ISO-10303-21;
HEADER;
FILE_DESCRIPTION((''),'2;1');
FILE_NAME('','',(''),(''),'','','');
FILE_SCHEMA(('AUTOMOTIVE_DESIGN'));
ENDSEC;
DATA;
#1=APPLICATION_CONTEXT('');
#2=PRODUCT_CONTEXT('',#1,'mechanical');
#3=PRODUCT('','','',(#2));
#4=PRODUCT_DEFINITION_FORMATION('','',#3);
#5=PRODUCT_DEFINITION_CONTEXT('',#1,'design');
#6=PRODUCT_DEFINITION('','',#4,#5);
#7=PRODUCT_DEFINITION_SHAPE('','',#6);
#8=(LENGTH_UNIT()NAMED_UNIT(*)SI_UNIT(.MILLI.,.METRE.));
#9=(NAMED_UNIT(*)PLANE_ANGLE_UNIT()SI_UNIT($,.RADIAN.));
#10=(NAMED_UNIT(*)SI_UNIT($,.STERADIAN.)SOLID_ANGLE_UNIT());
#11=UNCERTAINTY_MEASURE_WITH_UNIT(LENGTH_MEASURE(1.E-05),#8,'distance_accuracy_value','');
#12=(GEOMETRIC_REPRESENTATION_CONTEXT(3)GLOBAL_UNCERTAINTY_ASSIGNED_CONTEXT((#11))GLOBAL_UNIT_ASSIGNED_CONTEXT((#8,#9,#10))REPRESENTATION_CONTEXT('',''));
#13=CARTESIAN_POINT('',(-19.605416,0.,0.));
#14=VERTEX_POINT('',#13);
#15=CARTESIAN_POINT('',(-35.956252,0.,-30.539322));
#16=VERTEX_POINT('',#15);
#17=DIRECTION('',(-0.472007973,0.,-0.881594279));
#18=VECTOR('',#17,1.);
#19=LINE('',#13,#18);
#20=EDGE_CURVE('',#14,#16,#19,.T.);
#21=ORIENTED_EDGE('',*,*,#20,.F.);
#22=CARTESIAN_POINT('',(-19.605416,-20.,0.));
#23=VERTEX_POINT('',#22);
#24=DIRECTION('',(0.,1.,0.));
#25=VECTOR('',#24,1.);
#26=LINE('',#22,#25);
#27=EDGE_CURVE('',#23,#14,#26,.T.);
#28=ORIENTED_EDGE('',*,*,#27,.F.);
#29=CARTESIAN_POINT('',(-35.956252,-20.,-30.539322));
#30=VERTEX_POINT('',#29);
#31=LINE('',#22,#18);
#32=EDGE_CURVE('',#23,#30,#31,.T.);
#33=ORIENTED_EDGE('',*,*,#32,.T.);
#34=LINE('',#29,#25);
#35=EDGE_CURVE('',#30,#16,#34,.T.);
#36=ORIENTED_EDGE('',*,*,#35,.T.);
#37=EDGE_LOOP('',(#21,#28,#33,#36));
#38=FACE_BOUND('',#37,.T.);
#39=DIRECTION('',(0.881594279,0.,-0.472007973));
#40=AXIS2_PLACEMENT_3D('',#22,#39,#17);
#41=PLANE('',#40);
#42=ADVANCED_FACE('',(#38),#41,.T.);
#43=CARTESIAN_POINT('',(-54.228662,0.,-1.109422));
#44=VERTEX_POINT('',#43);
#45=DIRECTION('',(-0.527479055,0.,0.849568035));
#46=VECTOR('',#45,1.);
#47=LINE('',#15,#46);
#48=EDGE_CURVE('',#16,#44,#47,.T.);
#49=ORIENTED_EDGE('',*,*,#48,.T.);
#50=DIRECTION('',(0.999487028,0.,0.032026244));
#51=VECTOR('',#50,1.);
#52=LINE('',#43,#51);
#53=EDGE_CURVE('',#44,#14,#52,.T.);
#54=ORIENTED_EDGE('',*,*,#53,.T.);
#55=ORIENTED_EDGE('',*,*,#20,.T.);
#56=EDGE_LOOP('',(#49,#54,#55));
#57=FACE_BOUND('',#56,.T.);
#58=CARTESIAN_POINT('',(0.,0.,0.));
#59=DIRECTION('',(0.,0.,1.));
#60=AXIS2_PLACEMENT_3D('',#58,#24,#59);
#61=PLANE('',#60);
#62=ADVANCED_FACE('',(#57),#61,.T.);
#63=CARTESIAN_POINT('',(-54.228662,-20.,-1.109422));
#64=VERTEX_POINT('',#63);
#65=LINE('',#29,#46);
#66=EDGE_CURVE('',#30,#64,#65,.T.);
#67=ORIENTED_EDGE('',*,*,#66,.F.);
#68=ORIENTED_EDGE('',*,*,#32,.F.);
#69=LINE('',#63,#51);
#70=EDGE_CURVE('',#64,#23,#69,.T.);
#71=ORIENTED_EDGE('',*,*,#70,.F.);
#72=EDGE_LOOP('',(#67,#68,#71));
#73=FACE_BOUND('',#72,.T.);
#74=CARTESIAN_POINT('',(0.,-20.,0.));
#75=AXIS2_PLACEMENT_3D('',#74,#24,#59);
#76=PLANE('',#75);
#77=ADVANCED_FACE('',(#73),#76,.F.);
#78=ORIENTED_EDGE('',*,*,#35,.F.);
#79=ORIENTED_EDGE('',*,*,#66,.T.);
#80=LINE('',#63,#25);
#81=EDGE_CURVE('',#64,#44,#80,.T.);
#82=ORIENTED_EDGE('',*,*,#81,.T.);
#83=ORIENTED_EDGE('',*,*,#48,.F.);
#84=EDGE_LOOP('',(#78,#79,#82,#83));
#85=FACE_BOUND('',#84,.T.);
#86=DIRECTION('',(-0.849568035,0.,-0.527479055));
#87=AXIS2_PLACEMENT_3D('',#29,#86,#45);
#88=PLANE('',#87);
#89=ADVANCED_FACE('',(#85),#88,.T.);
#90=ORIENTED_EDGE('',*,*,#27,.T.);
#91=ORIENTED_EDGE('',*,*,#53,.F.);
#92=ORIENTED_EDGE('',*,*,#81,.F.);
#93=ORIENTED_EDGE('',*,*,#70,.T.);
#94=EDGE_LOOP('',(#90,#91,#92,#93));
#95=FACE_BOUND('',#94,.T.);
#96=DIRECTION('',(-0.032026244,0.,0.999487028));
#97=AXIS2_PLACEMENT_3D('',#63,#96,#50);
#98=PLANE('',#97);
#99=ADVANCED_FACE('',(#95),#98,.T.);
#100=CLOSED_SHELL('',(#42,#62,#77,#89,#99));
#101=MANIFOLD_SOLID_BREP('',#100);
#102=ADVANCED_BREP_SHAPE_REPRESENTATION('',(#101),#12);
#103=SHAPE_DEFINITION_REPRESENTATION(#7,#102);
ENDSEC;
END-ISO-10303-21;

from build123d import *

# Parameters (mm, degrees)
BOSS_EXTRUDE1_DEPTH = 20


with BuildPart() as part:
    # Sketch1 → Boss-Extrude1 (new body)
    with BuildSketch(Plane(origin=(0, 0, 0), x_dir=(1, 0, 0), z_dir=(0, 1, 0))):
        Polygon((-19.6054162, 0), (-35.956252029, 30.539321664), (-54.22866249, 1.10942163), align=None)
    extrude(amount=-BOSS_EXTRUDE1_DEPTH)


solid = part.part
